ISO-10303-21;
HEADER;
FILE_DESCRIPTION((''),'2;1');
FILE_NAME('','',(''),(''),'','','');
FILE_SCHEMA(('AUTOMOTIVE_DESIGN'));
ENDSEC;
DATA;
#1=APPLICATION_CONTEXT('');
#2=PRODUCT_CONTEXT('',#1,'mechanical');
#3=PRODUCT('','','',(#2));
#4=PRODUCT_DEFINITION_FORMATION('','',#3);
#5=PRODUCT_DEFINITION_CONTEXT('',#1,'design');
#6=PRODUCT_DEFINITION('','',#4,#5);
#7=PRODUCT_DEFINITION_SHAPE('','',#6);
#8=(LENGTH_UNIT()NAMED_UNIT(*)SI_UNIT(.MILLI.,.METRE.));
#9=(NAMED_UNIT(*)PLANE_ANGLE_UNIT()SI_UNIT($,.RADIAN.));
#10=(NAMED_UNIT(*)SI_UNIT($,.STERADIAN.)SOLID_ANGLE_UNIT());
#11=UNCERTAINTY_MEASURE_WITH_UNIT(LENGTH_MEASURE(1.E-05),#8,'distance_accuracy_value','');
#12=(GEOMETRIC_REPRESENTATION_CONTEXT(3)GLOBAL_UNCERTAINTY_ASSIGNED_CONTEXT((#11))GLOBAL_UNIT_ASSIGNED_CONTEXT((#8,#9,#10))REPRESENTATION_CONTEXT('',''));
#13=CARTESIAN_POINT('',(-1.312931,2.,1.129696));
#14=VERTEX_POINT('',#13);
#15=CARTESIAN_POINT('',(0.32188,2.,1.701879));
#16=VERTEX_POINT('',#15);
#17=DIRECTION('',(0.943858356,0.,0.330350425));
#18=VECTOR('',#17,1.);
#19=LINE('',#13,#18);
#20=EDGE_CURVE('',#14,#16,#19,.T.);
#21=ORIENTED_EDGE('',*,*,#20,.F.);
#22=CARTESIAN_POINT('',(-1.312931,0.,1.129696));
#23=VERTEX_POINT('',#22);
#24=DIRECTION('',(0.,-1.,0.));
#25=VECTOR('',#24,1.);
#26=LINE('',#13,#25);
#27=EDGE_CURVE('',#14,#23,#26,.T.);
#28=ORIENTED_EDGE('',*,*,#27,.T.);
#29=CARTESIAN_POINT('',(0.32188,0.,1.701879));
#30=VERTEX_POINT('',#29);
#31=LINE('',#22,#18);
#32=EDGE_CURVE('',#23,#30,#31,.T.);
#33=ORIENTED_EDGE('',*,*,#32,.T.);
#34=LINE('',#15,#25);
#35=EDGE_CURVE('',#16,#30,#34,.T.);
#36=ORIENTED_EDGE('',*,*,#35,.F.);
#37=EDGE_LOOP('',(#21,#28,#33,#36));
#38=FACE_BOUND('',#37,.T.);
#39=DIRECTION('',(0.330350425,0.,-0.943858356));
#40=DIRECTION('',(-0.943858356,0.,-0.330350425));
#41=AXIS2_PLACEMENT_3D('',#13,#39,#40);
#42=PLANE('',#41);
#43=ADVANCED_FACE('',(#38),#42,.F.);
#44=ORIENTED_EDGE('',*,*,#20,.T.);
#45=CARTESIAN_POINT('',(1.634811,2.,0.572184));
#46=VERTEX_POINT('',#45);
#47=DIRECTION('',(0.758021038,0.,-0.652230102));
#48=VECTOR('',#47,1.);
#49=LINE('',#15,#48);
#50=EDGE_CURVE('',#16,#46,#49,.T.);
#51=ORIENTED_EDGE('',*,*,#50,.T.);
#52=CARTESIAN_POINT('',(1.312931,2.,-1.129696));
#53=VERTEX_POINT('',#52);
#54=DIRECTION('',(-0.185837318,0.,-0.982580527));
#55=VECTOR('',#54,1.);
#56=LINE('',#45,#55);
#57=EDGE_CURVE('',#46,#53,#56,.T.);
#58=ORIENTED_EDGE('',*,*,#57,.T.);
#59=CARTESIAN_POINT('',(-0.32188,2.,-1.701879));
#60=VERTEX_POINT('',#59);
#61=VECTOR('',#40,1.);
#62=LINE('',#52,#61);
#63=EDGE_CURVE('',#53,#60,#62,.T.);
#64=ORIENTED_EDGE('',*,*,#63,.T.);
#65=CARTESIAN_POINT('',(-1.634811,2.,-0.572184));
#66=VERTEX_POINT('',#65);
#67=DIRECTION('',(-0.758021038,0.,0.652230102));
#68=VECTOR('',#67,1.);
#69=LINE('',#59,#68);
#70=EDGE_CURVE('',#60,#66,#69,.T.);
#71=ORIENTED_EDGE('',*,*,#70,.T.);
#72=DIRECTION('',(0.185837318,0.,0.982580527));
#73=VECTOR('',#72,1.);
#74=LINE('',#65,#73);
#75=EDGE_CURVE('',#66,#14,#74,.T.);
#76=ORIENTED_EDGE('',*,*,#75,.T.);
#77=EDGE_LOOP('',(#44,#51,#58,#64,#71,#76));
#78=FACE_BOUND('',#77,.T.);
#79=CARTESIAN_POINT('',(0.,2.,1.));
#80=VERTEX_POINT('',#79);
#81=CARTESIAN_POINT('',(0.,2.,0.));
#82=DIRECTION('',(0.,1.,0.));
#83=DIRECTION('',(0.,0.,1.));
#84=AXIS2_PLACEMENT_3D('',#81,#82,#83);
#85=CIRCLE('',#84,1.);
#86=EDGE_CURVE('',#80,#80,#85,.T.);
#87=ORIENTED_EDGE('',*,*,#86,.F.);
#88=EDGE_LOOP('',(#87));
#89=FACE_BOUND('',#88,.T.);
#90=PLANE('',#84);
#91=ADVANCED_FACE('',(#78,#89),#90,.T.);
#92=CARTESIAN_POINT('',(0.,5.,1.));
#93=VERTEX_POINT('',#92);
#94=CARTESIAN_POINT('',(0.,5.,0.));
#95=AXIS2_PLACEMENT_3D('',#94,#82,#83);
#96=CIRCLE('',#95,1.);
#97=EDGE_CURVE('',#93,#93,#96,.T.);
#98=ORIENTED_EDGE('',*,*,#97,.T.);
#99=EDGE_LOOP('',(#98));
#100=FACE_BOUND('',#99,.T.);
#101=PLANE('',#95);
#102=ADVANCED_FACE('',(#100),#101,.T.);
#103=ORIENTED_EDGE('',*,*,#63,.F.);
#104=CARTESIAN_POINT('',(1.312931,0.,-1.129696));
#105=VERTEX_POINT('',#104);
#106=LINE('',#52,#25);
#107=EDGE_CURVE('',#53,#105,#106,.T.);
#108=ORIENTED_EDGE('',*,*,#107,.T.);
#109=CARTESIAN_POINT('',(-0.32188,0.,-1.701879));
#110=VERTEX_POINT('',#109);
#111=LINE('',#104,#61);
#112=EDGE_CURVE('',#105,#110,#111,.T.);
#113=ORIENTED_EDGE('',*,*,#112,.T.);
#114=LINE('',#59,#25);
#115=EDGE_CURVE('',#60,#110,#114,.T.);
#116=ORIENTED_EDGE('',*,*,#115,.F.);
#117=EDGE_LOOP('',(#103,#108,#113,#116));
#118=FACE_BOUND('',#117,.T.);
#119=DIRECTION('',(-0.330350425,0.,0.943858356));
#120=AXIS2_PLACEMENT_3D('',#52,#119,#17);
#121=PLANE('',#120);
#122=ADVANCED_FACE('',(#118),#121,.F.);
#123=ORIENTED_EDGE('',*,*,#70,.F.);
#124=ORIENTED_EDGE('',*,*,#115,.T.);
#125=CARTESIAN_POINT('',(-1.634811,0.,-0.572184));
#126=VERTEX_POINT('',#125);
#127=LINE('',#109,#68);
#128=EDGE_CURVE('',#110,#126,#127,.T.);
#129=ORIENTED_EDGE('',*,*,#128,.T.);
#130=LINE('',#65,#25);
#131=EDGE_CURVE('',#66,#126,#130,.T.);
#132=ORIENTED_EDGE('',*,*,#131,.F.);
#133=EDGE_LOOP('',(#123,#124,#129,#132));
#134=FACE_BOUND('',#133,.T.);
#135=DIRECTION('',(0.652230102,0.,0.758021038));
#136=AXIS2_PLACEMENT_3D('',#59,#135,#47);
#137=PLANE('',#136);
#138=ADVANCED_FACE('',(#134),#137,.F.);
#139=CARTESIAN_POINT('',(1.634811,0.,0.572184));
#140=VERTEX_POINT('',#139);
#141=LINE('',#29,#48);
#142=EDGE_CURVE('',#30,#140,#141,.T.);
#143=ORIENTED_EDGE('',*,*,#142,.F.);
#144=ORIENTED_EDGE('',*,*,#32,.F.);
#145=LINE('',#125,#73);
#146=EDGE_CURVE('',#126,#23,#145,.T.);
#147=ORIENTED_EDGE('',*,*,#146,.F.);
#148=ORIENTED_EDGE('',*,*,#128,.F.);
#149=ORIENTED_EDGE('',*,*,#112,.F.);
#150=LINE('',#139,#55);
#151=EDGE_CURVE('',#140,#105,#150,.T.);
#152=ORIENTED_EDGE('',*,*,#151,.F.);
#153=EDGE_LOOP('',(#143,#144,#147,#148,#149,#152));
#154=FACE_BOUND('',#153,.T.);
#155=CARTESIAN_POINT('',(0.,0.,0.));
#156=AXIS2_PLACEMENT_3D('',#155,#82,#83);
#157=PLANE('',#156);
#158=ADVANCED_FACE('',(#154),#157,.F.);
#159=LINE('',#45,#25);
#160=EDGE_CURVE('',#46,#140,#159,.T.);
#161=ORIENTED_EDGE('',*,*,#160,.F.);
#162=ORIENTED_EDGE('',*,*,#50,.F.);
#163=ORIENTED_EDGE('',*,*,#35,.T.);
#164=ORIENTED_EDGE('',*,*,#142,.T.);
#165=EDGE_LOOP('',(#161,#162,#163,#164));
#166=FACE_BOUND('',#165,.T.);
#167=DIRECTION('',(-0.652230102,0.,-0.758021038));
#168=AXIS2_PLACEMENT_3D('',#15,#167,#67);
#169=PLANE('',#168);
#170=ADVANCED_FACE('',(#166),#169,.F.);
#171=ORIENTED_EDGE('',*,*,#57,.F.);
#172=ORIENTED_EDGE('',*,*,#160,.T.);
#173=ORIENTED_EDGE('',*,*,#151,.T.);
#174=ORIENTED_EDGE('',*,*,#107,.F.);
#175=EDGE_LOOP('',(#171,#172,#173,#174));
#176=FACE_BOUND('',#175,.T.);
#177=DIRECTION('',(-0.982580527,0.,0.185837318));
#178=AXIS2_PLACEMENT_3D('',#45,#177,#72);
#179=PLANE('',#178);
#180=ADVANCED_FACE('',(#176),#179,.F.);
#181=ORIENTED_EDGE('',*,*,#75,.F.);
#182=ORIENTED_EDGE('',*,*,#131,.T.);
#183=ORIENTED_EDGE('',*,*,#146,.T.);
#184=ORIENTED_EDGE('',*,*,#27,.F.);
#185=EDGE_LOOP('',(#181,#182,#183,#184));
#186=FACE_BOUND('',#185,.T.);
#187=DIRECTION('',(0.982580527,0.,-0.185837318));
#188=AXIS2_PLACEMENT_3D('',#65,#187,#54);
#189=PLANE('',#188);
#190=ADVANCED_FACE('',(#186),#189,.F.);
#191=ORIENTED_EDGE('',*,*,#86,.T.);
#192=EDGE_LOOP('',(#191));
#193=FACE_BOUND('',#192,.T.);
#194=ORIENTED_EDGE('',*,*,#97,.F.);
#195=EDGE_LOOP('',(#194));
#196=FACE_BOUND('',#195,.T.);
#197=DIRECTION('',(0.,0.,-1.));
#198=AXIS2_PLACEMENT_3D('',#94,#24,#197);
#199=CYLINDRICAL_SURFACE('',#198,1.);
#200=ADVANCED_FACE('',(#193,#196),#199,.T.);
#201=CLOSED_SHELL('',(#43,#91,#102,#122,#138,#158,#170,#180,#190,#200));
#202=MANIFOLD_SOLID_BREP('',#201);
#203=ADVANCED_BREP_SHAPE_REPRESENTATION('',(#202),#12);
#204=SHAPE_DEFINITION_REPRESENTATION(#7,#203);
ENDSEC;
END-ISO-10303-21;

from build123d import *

# Parameters (mm, degrees)
EXTRUDE_1_DEPTH = 2
SKETCH_2_R      = 1
EXTRUDE_2_DEPTH = 3


with BuildPart() as part:
    # 草图1 → 凸台-拉伸1 (new body)
    with BuildSketch(Plane(origin=(0, 0, 0), x_dir=(1, 0, 0), z_dir=(0, 1, 0))):
        Polygon((1.634810628, -0.57218372), (1.312930951, 1.129695675), (-0.321879677, 1.701879395), (-1.634810628, 0.57218372), (-1.312930951, -1.129695675), (0.321879677, -1.701879395), align=None)
    extrude(amount=EXTRUDE_1_DEPTH)

    # 草图2 → 凸台-拉伸2 (add)
    with BuildSketch(Plane(origin=(0, 2, 0), x_dir=(1, 0, 0), z_dir=(0, 1, 0))):
        Circle(SKETCH_2_R)
    extrude(amount=EXTRUDE_2_DEPTH)


solid = part.part
